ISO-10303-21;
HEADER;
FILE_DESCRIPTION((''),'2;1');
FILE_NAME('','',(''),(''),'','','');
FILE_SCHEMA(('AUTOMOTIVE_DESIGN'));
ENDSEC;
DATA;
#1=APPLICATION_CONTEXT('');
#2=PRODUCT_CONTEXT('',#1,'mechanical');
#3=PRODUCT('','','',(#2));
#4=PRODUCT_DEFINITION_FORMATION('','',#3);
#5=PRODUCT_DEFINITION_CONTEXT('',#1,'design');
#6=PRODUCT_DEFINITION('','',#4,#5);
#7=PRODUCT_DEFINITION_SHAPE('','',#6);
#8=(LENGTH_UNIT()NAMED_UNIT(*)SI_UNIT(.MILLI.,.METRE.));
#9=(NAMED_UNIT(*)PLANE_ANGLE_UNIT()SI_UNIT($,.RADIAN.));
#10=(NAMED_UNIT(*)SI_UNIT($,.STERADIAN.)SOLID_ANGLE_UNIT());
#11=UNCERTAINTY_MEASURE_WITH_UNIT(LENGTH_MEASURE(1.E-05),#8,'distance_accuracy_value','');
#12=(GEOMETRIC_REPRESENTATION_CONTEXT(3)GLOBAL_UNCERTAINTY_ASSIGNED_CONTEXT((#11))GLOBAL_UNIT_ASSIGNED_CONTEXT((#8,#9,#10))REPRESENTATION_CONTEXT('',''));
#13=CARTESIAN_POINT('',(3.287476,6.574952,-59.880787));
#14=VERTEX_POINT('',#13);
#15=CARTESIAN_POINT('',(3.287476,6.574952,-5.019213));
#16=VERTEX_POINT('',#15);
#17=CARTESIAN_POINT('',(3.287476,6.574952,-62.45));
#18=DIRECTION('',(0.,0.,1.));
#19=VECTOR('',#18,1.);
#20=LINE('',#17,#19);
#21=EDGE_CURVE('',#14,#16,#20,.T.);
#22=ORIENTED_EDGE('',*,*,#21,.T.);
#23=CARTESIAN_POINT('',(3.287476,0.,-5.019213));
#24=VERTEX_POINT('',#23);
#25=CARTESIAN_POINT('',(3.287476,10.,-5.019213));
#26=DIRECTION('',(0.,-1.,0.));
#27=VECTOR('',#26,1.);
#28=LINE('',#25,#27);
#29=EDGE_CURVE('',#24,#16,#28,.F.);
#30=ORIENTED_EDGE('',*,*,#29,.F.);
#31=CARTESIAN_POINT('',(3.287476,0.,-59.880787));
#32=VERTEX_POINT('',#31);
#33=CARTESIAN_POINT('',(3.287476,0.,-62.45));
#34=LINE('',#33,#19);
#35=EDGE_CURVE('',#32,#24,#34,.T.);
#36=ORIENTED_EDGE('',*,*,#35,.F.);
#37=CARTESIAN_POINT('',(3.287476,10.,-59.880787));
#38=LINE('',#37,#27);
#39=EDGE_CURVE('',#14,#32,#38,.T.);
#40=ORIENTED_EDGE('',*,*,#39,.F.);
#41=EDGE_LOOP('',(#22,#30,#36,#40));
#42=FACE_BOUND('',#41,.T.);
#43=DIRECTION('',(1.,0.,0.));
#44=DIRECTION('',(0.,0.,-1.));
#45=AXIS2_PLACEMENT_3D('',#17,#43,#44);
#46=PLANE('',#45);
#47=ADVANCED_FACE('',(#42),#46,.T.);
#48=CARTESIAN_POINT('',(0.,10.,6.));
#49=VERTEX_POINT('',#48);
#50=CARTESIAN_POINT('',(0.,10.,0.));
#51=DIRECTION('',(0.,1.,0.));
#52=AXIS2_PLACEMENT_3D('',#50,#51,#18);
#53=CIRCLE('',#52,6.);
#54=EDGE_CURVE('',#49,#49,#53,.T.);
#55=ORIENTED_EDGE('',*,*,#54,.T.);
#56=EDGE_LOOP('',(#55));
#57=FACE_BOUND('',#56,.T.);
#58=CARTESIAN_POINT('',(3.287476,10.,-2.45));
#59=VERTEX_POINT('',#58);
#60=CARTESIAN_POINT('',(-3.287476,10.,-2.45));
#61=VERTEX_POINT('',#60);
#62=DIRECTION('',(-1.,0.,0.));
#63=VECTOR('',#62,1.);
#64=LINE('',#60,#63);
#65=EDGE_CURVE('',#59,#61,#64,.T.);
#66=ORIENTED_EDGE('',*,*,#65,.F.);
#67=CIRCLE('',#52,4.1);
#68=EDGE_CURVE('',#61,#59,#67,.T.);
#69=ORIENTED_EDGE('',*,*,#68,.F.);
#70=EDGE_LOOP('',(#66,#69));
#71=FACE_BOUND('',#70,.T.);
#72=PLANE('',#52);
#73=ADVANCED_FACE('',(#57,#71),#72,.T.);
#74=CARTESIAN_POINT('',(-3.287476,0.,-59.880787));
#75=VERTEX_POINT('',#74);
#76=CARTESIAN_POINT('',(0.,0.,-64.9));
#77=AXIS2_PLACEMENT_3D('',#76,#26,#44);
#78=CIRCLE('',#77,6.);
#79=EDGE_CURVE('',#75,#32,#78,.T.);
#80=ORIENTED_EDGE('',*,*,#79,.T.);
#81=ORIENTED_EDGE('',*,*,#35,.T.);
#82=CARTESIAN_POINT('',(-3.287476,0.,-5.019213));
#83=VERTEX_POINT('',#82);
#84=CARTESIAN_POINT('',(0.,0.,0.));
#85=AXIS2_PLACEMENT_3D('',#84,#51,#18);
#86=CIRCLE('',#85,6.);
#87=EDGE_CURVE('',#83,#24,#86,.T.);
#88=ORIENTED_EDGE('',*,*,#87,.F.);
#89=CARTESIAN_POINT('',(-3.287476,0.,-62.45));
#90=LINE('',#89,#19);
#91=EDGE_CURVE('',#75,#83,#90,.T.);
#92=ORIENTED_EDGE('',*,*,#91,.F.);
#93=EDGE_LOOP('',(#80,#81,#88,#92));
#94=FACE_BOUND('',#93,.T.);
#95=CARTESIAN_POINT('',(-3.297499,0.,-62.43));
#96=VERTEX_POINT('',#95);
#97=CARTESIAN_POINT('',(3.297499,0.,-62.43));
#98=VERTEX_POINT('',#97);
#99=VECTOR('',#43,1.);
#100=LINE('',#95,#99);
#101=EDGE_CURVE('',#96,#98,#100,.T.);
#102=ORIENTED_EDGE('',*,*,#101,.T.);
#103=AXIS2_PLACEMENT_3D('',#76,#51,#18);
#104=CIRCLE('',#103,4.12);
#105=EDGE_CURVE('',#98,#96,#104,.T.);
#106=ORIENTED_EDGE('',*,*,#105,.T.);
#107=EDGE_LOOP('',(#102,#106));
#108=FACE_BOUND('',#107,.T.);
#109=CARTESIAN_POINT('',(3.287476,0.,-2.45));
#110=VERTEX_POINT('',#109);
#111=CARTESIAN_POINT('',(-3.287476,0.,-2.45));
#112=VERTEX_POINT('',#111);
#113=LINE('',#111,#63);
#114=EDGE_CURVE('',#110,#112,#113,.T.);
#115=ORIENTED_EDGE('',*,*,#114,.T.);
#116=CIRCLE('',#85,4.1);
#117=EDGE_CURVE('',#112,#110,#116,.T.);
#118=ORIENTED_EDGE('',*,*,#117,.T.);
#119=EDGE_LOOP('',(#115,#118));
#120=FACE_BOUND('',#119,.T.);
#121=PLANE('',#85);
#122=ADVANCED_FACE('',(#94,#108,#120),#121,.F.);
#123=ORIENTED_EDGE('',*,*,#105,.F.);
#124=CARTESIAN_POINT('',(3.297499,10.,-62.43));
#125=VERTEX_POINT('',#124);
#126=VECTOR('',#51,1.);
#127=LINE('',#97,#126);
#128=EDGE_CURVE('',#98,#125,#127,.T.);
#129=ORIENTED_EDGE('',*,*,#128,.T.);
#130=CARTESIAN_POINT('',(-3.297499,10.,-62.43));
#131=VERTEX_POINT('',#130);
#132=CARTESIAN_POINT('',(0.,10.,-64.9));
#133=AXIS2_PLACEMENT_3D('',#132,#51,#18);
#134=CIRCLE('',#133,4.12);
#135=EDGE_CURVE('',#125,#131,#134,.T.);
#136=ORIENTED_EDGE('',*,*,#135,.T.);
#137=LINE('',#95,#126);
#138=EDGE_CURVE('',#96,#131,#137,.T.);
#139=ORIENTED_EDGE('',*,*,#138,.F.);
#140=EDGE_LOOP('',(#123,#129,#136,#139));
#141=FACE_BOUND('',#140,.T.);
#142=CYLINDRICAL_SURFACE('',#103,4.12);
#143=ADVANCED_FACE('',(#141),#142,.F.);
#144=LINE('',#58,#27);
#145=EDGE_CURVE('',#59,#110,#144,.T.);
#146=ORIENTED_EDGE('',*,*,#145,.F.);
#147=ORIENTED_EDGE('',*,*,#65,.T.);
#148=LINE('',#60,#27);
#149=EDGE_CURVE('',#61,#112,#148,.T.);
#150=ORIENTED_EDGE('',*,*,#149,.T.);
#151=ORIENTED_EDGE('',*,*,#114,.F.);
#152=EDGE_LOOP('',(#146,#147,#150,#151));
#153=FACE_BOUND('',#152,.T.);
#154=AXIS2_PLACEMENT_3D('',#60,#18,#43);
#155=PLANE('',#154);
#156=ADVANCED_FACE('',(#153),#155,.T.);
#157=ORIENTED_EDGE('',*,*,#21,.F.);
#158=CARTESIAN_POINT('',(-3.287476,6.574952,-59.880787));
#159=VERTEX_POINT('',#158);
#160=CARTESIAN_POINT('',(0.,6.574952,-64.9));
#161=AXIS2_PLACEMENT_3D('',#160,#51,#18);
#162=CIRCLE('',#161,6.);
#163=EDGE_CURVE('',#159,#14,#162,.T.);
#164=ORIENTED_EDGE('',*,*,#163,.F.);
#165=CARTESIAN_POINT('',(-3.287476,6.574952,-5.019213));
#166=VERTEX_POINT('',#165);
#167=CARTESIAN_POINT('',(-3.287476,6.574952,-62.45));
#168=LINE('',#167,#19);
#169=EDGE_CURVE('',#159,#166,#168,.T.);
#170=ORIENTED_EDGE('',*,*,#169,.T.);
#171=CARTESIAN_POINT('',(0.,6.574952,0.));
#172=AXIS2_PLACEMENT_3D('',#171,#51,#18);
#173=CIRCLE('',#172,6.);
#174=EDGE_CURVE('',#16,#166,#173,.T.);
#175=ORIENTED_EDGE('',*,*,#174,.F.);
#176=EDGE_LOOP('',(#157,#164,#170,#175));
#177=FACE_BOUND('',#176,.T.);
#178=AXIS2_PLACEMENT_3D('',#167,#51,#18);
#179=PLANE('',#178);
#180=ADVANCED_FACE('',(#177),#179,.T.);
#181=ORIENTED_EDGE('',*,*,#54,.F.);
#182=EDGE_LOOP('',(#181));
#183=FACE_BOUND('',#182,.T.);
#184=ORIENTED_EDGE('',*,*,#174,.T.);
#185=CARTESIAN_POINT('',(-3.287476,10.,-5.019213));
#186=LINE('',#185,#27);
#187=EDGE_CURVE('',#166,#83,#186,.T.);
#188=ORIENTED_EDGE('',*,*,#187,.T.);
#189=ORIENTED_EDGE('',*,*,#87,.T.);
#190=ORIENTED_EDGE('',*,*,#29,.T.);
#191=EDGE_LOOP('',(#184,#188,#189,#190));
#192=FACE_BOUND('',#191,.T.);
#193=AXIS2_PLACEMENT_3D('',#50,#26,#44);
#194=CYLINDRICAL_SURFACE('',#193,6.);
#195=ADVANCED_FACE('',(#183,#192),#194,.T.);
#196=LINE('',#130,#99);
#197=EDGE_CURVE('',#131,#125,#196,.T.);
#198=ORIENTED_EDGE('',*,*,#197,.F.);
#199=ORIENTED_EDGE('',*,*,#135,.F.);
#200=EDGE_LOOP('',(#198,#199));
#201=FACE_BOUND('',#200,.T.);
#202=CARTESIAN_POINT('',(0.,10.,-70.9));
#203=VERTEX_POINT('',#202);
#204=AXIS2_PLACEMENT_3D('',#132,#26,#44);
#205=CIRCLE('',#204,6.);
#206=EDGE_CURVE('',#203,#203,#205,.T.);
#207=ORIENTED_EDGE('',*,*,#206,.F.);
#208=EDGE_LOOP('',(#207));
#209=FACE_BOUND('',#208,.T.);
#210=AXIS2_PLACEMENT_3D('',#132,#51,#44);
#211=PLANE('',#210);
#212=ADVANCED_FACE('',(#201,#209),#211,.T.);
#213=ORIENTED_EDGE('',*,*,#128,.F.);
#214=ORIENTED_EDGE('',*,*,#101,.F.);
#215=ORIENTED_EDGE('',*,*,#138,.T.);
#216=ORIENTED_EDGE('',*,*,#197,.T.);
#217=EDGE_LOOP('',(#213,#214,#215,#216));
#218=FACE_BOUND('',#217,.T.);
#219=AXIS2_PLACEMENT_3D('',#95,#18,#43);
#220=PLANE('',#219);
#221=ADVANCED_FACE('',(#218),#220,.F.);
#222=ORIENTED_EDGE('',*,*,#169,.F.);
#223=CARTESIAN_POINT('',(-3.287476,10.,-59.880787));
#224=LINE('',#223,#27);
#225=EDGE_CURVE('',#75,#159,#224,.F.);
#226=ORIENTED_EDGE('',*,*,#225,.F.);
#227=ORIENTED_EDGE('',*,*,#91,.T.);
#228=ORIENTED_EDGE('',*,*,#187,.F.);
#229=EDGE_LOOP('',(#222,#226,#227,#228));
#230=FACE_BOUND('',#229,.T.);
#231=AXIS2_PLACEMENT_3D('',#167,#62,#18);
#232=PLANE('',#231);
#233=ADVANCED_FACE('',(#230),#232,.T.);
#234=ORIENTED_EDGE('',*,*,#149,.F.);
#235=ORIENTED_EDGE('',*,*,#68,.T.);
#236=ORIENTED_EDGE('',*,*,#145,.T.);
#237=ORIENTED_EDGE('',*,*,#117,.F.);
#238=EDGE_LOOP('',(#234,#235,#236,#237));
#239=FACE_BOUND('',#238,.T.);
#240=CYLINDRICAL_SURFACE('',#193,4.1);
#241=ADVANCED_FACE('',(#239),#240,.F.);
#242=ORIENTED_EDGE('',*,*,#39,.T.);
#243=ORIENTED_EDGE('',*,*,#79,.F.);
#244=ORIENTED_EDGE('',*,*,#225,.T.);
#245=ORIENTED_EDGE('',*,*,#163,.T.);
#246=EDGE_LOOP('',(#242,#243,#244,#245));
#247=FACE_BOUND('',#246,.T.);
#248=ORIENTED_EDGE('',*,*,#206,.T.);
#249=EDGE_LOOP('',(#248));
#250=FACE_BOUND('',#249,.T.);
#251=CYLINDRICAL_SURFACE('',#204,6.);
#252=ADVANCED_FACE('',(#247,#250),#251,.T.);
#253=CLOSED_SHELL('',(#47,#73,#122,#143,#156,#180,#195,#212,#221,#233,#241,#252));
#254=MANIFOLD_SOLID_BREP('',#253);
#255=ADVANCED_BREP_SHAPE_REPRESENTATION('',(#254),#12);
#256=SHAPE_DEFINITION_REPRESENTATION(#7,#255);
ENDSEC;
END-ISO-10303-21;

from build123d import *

# Parameters (mm, degrees)
SKETCH1_R           = 6
BOSS_EXTRUDE1_DEPTH = 10
SKETCH2_W           = 6.574952472
SKETCH2_H           = 6.574952471
BOSS_EXTRUDE2_DEPTH = 60
CUT_EXTRUDE1_DEPTH  = 72.85269654


with BuildPart() as part:
    # Sketch1 → Boss-Extrude1 (new body)
    with BuildSketch(Plane(origin=(0, 0, 0), x_dir=(1, 0, 0), z_dir=(0, 1, 0))):
        with Locations(Location((0, 0, 0), (0, 0, 270))):
            Circle(SKETCH1_R)
        with BuildLine():
            Line((-3.287476236, 2.45), (3.287476236, 2.45))
            ThreePointArc((3.287476236, 2.45), (0, -4.1), (-3.287476236, 2.45))
        make_face(mode=Mode.SUBTRACT)
    boss_extrude1 = extrude(amount=BOSS_EXTRUDE1_DEPTH)

    # Sketch2 → Boss-Extrude2 (add)
    with BuildSketch(Plane.XY.offset(-2.45)):
        with Locations((0, 3.287476236)):
            Rectangle(SKETCH2_W, SKETCH2_H)
    extrude(amount=-BOSS_EXTRUDE2_DEPTH)

    # Mirror1: Boss-Extrude1 across plane
    add(boss_extrude1.mirror(Plane(origin=(0, 0, -32.45), x_dir=(1, 0, 0), z_dir=(0, 0, -1))))

    # Sketch3 → Cut-Extrude1 (cut, through all)
    with BuildSketch(Plane(origin=(0, 10, 0), x_dir=(1, 0, 0), z_dir=(0, 1, 0))):
        with BuildLine():
            Line((-3.297499052, 62.43), (3.297499052, 62.43))
            ThreePointArc((3.297499052, 62.43), (0, 69.02), (-3.297499052, 62.43))
        make_face()
    extrude(amount=-CUT_EXTRUDE1_DEPTH, mode=Mode.SUBTRACT)


solid = part.part
